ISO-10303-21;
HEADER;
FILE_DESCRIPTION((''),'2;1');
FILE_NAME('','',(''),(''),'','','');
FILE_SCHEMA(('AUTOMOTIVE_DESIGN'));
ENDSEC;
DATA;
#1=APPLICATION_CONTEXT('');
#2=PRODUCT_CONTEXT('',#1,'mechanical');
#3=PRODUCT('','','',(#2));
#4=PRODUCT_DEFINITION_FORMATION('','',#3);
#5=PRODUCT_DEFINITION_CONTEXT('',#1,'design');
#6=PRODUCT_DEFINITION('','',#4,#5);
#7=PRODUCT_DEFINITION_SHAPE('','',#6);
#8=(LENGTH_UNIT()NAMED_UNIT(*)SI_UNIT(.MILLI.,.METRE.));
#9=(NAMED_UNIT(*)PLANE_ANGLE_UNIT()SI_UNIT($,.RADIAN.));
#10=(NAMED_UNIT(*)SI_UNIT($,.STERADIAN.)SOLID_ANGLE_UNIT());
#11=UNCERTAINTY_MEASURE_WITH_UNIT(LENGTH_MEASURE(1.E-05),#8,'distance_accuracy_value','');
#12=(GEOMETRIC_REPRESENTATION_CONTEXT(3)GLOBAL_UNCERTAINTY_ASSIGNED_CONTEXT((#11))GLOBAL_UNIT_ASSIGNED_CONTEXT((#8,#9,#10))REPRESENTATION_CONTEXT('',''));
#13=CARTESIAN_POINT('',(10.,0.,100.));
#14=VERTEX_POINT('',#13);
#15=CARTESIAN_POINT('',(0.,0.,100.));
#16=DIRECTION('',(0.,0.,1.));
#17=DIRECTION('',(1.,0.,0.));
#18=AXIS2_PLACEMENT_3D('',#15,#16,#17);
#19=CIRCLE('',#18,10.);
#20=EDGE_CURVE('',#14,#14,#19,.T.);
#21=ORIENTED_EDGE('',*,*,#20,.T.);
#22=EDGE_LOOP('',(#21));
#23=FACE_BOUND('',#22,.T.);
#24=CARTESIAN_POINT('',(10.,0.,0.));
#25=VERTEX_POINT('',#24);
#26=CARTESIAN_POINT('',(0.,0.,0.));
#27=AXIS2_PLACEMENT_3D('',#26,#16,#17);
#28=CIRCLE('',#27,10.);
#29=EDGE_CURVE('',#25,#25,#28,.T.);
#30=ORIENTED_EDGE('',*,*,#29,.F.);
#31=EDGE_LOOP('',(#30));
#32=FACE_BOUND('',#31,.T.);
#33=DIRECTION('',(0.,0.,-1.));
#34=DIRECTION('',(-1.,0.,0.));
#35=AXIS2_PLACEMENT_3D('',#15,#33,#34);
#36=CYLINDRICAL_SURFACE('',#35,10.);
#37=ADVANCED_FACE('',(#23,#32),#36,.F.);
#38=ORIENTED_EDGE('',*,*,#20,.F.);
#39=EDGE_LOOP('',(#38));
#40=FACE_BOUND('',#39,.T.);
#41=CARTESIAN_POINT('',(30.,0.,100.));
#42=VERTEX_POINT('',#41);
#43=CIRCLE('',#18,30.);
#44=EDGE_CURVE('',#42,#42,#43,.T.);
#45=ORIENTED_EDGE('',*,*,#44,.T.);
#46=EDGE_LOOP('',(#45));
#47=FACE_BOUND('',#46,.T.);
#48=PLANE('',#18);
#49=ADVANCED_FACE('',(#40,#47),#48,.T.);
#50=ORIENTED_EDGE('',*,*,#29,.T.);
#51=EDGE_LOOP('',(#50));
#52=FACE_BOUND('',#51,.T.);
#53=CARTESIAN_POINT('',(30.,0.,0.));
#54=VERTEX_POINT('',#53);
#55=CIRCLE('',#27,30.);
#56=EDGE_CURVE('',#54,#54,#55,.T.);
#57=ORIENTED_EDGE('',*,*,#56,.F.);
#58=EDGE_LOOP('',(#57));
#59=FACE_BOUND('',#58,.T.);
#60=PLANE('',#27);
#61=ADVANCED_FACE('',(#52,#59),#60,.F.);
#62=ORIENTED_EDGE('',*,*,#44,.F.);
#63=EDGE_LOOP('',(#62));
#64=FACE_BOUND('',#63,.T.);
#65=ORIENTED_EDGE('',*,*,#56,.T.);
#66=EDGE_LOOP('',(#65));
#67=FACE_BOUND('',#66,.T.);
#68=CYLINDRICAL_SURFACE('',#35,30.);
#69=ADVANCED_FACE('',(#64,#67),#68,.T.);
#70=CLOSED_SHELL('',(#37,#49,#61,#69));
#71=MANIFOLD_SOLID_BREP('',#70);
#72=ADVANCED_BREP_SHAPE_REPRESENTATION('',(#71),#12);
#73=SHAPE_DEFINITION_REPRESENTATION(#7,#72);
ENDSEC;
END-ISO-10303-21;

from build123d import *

# Parameters (mm, degrees)
SKETCH_1_R      = 30
SKETCH_1_R_2    = 10
EXTRUDE_1_DEPTH = 100


with BuildPart() as part:
    # Эскиз1 → Бобышка-Вытянуть1 (new body)
    with BuildSketch(Plane.XY):
        Circle(SKETCH_1_R)
        Circle(SKETCH_1_R_2, mode=Mode.SUBTRACT)
    extrude(amount=EXTRUDE_1_DEPTH)


solid = part.part
